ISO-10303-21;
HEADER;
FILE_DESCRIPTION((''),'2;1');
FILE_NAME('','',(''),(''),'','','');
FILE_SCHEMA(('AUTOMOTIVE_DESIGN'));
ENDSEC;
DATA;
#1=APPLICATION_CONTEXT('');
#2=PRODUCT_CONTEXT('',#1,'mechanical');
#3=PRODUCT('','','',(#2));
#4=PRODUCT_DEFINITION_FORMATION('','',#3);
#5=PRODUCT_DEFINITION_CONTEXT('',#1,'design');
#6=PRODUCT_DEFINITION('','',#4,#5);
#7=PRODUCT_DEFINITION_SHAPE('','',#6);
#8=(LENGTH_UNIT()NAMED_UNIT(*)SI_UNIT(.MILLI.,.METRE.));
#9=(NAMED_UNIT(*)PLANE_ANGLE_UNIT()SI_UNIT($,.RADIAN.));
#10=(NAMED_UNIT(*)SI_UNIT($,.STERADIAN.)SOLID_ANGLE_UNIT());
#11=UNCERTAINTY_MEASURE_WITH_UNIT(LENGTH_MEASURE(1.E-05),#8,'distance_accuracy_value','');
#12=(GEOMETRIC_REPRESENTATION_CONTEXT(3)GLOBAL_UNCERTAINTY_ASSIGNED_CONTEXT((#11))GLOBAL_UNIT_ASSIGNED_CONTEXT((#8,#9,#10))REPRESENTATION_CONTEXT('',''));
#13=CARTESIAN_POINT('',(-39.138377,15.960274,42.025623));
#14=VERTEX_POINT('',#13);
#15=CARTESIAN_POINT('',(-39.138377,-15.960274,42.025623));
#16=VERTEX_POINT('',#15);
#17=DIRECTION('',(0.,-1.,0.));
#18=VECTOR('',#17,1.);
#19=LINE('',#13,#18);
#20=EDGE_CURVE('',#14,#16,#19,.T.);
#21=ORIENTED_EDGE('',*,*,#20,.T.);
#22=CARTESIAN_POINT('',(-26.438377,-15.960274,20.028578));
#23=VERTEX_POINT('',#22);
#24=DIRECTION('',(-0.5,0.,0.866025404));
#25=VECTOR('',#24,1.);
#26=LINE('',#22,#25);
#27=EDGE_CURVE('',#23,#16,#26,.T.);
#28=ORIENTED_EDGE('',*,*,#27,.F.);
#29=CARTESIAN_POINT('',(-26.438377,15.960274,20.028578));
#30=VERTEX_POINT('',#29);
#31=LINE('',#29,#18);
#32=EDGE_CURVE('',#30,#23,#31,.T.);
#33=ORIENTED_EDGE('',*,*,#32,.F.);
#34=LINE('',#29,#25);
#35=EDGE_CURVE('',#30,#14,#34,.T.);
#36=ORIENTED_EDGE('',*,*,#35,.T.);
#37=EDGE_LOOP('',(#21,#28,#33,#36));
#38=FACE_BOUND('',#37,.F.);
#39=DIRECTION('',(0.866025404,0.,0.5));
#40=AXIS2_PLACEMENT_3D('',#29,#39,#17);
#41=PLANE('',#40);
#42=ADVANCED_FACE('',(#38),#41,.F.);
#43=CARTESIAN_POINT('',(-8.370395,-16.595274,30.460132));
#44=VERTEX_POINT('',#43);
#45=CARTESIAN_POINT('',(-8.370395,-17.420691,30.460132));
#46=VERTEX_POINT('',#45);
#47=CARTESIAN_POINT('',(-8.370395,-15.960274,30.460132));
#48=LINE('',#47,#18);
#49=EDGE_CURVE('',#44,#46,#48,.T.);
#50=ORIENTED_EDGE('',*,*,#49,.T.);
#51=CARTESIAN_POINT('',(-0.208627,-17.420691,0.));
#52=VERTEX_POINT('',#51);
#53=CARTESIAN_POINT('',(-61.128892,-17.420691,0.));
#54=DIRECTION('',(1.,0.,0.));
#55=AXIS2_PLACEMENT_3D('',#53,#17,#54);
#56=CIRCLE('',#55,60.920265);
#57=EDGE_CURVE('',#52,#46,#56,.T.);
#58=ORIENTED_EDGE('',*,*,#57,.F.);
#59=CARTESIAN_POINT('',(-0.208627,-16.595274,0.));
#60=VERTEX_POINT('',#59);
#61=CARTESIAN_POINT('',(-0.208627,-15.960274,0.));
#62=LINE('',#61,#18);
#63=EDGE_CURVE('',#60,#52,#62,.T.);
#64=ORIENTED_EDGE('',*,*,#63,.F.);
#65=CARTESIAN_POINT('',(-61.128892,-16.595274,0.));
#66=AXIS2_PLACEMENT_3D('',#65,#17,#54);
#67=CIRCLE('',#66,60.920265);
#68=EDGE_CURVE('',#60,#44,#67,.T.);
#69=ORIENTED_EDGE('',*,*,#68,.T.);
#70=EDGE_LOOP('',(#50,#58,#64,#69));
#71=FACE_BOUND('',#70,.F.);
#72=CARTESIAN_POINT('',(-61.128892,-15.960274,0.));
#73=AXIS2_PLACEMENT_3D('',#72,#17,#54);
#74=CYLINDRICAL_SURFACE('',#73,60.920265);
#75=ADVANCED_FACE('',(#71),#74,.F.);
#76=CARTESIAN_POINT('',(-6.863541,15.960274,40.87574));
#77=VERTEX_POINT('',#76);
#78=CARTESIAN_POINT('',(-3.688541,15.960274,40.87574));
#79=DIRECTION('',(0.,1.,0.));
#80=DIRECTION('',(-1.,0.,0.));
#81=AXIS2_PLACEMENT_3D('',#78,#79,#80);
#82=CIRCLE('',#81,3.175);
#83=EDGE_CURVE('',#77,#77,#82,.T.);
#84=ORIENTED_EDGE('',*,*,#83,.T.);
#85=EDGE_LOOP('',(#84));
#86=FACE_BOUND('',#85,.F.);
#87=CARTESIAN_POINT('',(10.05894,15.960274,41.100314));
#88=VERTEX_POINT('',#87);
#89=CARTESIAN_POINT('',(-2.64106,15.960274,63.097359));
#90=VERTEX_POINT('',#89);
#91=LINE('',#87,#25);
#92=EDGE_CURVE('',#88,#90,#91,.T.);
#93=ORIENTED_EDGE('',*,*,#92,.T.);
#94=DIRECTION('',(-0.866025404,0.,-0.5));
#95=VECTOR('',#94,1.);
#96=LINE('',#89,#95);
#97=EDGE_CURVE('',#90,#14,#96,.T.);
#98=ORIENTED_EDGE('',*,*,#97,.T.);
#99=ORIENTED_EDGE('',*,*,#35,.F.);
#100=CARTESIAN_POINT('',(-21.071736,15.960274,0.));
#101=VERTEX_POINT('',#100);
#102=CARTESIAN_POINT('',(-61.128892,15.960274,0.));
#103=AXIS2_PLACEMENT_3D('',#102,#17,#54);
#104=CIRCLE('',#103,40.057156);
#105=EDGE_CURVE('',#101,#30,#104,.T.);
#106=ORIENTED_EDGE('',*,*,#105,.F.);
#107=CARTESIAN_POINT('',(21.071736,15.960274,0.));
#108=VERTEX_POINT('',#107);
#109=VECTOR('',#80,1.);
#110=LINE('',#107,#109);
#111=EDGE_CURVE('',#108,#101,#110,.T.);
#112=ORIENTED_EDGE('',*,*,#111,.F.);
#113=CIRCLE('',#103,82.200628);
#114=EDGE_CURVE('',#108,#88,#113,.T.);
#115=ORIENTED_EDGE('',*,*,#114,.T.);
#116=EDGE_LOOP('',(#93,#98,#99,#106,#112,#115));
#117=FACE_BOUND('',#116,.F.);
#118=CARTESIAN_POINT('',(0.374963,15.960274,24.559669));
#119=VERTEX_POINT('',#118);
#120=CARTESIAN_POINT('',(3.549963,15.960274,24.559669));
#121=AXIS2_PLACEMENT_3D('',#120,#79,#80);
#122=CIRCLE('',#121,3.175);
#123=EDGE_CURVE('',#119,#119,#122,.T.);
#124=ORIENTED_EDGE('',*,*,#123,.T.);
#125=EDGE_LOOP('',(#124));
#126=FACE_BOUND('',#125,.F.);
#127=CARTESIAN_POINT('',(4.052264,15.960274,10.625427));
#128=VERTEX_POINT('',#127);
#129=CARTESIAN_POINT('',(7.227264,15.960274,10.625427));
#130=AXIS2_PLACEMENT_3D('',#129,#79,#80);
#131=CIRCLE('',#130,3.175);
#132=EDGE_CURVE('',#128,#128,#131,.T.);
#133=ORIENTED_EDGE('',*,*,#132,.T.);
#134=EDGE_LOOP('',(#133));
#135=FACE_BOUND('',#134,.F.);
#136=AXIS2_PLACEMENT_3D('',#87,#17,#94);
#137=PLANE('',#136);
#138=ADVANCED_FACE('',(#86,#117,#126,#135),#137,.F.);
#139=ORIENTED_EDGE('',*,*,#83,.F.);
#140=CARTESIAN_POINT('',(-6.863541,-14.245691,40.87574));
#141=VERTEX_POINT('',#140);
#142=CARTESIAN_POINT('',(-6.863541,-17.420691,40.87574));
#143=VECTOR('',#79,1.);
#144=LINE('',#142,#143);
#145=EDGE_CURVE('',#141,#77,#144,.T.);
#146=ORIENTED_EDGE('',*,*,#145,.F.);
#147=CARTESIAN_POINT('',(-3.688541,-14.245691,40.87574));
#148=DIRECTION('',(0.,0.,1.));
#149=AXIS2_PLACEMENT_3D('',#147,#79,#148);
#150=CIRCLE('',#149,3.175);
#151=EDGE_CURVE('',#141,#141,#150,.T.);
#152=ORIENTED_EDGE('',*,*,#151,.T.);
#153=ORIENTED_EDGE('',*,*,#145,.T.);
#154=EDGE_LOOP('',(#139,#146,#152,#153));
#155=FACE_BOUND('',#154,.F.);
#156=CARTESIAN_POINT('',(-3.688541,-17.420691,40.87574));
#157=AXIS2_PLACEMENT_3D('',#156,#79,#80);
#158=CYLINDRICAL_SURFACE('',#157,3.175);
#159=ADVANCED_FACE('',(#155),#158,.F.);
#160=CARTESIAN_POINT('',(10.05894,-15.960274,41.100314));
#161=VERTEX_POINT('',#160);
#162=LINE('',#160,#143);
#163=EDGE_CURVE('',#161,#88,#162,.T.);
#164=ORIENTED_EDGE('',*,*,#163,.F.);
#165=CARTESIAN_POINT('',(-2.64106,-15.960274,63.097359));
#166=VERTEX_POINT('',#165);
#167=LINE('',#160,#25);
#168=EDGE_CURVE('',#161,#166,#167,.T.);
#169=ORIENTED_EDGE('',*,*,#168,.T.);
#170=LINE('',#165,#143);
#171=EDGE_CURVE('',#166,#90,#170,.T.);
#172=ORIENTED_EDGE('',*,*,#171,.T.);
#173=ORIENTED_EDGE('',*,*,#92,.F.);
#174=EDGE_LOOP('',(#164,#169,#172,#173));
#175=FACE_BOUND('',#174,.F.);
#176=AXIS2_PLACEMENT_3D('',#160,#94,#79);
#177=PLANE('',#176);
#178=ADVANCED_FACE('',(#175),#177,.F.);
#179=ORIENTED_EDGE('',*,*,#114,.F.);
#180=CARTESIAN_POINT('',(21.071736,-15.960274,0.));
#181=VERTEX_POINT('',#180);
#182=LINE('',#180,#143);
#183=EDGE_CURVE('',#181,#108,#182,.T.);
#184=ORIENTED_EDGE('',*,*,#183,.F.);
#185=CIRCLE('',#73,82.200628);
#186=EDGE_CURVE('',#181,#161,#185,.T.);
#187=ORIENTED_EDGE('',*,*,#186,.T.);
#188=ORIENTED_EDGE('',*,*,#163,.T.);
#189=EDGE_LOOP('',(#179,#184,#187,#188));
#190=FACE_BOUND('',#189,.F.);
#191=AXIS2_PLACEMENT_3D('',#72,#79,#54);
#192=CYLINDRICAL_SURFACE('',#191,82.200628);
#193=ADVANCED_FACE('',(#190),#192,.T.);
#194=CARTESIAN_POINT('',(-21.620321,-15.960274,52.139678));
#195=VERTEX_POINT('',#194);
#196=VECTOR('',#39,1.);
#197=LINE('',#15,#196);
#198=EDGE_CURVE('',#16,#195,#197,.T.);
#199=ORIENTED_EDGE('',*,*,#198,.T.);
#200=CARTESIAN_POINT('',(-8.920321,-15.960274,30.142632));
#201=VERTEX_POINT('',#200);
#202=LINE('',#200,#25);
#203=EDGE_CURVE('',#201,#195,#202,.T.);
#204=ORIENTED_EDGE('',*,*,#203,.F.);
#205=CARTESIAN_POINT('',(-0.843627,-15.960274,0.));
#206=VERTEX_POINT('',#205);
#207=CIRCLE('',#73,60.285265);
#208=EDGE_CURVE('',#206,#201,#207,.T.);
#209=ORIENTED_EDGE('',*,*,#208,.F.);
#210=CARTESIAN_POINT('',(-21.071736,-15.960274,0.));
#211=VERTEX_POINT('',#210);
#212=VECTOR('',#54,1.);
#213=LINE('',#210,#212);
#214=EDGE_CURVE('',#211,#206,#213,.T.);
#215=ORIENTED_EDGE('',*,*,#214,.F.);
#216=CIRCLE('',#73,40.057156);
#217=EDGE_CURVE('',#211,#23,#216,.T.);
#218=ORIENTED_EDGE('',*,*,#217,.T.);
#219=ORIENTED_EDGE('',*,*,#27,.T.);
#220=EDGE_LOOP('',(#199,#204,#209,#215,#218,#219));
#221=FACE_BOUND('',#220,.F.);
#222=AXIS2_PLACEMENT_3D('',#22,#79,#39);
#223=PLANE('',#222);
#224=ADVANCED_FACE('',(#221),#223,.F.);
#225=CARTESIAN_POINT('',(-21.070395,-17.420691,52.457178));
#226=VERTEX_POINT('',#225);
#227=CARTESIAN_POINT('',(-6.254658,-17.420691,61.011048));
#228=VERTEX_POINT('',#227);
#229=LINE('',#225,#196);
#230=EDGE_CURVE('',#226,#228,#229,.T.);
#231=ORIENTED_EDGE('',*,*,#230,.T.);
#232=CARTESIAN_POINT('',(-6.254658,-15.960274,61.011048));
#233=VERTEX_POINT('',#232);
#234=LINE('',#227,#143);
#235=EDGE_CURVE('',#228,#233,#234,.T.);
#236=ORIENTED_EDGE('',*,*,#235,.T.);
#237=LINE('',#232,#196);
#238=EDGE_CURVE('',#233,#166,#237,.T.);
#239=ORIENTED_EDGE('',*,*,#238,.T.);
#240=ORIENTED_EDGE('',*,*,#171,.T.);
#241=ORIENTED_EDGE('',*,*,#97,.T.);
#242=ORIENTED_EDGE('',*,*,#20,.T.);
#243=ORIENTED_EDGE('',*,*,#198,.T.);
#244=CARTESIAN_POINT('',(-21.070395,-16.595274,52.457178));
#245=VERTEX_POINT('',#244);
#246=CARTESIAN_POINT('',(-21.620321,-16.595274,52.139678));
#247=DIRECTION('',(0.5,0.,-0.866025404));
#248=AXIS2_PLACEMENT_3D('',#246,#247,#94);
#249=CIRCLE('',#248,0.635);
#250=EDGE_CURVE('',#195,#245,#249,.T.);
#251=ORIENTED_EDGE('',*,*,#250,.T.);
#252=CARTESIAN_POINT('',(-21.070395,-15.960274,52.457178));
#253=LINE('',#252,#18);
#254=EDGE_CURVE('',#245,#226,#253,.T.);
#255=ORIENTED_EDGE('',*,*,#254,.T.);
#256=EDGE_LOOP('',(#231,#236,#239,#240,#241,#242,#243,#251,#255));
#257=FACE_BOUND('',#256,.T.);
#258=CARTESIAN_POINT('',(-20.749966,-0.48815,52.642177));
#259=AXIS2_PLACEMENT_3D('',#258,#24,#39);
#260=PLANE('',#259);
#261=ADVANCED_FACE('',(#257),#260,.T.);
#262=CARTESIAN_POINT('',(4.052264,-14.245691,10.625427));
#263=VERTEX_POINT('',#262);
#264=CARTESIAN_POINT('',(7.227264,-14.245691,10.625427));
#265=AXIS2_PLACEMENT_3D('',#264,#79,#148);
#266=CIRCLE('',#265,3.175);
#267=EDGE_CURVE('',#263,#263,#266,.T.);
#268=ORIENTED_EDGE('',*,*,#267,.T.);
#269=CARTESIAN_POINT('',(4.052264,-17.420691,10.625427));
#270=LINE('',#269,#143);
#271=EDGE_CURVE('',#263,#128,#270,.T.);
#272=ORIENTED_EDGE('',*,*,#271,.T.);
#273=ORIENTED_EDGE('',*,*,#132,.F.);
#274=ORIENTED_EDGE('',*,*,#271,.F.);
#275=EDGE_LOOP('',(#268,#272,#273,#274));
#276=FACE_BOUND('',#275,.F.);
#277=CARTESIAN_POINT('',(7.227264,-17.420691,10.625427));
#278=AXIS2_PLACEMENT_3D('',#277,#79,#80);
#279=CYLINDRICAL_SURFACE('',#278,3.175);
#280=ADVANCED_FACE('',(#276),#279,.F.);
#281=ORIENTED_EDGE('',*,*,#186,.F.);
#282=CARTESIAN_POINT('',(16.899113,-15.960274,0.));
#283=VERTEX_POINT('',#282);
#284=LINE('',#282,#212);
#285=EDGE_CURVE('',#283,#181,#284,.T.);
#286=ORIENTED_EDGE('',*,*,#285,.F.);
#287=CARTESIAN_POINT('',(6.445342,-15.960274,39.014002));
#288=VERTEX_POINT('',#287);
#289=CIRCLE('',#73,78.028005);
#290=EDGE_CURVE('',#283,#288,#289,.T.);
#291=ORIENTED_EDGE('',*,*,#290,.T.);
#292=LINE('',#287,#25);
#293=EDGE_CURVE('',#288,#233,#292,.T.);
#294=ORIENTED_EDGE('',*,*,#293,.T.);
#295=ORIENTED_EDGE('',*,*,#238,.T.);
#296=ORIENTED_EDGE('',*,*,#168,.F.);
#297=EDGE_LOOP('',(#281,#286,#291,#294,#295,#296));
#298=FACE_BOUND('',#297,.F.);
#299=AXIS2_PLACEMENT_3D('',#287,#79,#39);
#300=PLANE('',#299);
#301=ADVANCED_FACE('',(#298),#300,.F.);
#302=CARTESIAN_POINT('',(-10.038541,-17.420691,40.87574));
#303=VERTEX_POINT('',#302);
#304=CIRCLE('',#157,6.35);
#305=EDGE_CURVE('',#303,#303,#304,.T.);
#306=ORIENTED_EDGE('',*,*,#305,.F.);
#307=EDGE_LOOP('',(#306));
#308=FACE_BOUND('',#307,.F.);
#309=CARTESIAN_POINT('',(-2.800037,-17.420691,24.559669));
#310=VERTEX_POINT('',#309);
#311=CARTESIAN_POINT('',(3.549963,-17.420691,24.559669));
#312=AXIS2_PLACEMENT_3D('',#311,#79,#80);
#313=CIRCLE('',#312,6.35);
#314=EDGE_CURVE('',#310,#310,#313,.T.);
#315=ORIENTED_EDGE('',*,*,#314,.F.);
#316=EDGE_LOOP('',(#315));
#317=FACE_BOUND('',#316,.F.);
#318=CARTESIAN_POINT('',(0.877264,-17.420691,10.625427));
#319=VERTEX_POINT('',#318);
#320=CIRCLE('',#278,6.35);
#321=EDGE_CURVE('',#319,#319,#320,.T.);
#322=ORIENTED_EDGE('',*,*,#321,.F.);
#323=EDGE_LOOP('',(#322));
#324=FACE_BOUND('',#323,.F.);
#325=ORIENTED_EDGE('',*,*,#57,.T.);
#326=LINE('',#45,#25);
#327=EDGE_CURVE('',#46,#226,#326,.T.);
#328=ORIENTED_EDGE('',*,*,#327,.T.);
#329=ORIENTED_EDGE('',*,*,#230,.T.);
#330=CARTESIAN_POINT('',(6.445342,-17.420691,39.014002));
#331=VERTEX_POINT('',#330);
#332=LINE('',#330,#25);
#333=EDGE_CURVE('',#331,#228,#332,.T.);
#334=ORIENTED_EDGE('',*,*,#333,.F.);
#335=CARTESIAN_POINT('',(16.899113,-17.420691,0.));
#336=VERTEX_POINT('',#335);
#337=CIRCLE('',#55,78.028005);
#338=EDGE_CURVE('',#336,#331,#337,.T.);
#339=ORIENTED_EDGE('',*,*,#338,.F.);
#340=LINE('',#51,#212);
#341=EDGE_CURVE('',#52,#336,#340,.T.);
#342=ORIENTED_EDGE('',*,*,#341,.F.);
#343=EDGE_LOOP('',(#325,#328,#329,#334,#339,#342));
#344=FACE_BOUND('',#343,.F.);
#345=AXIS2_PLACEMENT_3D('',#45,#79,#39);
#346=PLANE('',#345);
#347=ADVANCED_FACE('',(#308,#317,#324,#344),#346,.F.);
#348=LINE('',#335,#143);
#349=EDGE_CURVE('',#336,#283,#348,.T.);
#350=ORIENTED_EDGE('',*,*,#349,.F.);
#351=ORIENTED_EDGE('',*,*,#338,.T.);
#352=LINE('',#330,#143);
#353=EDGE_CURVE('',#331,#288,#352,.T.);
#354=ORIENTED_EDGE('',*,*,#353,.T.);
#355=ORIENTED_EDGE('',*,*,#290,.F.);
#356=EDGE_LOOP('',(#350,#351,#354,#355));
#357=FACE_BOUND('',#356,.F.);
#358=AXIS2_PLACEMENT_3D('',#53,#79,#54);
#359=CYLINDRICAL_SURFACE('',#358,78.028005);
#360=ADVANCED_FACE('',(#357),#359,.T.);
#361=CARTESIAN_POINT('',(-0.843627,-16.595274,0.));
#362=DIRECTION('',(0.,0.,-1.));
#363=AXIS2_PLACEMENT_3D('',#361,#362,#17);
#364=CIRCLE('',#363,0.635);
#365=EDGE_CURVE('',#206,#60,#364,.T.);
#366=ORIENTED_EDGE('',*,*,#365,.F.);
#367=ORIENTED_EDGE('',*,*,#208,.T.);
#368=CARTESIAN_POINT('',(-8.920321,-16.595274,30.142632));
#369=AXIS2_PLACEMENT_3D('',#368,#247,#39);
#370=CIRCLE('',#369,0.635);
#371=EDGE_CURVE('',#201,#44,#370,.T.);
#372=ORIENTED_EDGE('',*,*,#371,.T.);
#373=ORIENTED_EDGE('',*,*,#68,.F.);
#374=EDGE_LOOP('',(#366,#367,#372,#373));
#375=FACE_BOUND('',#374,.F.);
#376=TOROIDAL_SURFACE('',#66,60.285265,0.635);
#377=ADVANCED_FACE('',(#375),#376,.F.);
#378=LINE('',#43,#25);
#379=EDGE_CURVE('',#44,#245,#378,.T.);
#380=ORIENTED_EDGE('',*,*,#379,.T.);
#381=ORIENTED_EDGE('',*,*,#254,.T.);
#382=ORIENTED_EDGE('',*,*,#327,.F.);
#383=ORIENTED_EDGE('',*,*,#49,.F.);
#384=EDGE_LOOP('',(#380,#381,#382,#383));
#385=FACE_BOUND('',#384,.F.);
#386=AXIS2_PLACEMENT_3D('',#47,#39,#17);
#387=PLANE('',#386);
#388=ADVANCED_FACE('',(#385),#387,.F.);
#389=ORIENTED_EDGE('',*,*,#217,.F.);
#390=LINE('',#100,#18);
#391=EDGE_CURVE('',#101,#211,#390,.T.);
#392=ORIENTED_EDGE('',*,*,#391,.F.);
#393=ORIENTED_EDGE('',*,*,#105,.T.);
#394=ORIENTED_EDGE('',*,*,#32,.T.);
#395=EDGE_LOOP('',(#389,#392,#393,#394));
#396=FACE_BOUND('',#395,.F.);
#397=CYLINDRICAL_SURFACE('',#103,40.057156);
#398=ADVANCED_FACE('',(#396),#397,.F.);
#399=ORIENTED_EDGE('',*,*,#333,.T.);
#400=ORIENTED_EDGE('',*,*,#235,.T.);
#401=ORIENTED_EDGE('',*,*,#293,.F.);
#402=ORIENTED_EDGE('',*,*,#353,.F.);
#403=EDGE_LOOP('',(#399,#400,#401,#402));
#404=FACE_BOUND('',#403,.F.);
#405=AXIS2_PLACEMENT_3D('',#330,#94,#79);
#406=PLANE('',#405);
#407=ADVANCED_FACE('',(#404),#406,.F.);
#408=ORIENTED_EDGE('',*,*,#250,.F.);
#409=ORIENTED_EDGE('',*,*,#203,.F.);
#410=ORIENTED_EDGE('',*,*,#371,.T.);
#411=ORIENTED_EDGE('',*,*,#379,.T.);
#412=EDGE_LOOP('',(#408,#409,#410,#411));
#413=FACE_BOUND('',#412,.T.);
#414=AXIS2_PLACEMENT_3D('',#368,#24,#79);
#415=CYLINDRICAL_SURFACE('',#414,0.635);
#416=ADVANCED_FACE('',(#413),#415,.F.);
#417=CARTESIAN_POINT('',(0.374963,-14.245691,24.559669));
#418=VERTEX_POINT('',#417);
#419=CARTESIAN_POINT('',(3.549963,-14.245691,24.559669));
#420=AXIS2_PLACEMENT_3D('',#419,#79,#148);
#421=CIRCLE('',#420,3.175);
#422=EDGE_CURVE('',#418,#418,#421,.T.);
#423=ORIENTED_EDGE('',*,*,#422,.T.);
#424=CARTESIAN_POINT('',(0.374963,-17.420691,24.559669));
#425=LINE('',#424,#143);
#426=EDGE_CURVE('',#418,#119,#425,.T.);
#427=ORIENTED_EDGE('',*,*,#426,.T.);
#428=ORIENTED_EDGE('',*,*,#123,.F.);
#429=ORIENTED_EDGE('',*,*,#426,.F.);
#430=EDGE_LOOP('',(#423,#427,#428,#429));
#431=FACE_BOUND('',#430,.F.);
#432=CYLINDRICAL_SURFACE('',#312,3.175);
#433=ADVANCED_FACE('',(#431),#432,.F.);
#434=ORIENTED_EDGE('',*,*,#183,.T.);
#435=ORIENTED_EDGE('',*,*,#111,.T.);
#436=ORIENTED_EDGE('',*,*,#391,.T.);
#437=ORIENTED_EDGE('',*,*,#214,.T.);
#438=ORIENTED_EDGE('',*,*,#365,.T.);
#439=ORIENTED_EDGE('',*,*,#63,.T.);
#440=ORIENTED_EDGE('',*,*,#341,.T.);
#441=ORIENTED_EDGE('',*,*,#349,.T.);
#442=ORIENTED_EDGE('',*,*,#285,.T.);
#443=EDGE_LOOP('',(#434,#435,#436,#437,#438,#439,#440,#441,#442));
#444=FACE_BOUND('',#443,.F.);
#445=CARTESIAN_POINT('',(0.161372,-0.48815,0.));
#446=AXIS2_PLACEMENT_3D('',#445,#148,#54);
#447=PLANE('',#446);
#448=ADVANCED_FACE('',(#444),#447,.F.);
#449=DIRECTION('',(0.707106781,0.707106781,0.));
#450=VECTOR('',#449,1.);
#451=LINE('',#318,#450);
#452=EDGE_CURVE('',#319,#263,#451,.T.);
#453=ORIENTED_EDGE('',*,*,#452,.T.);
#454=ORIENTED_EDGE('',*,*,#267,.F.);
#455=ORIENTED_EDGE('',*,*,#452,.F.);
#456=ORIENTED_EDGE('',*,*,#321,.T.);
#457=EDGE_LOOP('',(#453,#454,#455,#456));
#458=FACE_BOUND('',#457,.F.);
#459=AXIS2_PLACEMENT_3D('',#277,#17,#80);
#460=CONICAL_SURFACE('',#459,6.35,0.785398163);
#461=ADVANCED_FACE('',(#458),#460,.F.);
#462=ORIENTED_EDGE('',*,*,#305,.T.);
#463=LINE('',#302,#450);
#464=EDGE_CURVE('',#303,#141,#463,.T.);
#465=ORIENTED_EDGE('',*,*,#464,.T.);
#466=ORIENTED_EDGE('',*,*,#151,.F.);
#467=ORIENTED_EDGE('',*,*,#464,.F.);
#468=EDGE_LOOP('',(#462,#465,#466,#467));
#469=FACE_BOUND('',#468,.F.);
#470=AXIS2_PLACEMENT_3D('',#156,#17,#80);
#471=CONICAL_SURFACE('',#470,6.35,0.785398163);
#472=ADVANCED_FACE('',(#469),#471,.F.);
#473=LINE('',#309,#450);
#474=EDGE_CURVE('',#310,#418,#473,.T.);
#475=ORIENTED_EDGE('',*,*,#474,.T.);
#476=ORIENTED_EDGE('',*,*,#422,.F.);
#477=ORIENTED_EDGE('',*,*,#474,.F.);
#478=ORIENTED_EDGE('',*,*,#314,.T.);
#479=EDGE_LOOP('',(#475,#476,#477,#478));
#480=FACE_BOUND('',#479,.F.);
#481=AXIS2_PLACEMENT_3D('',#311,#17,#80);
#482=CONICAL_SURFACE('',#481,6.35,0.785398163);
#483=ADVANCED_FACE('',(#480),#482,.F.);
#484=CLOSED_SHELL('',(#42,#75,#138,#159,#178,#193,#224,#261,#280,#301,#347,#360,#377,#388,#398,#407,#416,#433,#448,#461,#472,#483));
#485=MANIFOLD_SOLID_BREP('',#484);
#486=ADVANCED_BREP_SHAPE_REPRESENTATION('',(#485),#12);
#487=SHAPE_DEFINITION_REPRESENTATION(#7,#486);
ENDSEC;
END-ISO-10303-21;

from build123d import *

# Parameters (mm, degrees)
F2_ANGLE       = 30
F3_DEPTH       = 25.4
F4_R           = 0.635
F6_D           = 6.35
F6_CSINK_D     = 12.7
F6_CSINK_ANGLE = 90


with BuildPart() as f2:
    # F0 (on Top) → F2 (revolve)
    with BuildSketch(Plane.XY):
        Polygon((21.0717357695, -15.9602742642), (21.0717357695, 15.9602742642), (-21.0717357695, 15.9602742642), (-21.0717357695, -15.9602742642), (-0.2086274326, -15.9602742642), (-0.2086274326, -17.420691438), (16.899112612, -17.420691438), (16.899112612, -15.9602742642), align=None)
    revolve(axis=Axis((-61.1288920045, 1.6690483317, 0), (0, -1, 0)), revolution_arc=F2_ANGLE)

    # F3 (add): a face of the model
    f3_faces = [f2.faces().sort_by_distance(p)[0] for p in [
        (-8.057939505, -0.3043307955, 30.6405287117),
    ]]
    extrude(f3_faces, amount=F3_DEPTH)

    # F4
    f4_edges = [f2.edges().sort_by_distance(p)[0] for p in [
        (-2.284435, -15.960274, 15.767325),
        (-14.720395, -15.960274, 41.458655),
    ]]
    fillet(f4_edges, radius=F4_R)

    # F6 (through all)
    with Locations(Plane.XZ.offset(17.420691438)):
        with Locations((7.227263879, 10.6254266575), (3.5499625374, 24.5596691966), (-3.6885414738, 40.8757403493)):
            CounterSinkHole(F6_D / 2, F6_CSINK_D / 2, counter_sink_angle=F6_CSINK_ANGLE)


solid = f2.part
